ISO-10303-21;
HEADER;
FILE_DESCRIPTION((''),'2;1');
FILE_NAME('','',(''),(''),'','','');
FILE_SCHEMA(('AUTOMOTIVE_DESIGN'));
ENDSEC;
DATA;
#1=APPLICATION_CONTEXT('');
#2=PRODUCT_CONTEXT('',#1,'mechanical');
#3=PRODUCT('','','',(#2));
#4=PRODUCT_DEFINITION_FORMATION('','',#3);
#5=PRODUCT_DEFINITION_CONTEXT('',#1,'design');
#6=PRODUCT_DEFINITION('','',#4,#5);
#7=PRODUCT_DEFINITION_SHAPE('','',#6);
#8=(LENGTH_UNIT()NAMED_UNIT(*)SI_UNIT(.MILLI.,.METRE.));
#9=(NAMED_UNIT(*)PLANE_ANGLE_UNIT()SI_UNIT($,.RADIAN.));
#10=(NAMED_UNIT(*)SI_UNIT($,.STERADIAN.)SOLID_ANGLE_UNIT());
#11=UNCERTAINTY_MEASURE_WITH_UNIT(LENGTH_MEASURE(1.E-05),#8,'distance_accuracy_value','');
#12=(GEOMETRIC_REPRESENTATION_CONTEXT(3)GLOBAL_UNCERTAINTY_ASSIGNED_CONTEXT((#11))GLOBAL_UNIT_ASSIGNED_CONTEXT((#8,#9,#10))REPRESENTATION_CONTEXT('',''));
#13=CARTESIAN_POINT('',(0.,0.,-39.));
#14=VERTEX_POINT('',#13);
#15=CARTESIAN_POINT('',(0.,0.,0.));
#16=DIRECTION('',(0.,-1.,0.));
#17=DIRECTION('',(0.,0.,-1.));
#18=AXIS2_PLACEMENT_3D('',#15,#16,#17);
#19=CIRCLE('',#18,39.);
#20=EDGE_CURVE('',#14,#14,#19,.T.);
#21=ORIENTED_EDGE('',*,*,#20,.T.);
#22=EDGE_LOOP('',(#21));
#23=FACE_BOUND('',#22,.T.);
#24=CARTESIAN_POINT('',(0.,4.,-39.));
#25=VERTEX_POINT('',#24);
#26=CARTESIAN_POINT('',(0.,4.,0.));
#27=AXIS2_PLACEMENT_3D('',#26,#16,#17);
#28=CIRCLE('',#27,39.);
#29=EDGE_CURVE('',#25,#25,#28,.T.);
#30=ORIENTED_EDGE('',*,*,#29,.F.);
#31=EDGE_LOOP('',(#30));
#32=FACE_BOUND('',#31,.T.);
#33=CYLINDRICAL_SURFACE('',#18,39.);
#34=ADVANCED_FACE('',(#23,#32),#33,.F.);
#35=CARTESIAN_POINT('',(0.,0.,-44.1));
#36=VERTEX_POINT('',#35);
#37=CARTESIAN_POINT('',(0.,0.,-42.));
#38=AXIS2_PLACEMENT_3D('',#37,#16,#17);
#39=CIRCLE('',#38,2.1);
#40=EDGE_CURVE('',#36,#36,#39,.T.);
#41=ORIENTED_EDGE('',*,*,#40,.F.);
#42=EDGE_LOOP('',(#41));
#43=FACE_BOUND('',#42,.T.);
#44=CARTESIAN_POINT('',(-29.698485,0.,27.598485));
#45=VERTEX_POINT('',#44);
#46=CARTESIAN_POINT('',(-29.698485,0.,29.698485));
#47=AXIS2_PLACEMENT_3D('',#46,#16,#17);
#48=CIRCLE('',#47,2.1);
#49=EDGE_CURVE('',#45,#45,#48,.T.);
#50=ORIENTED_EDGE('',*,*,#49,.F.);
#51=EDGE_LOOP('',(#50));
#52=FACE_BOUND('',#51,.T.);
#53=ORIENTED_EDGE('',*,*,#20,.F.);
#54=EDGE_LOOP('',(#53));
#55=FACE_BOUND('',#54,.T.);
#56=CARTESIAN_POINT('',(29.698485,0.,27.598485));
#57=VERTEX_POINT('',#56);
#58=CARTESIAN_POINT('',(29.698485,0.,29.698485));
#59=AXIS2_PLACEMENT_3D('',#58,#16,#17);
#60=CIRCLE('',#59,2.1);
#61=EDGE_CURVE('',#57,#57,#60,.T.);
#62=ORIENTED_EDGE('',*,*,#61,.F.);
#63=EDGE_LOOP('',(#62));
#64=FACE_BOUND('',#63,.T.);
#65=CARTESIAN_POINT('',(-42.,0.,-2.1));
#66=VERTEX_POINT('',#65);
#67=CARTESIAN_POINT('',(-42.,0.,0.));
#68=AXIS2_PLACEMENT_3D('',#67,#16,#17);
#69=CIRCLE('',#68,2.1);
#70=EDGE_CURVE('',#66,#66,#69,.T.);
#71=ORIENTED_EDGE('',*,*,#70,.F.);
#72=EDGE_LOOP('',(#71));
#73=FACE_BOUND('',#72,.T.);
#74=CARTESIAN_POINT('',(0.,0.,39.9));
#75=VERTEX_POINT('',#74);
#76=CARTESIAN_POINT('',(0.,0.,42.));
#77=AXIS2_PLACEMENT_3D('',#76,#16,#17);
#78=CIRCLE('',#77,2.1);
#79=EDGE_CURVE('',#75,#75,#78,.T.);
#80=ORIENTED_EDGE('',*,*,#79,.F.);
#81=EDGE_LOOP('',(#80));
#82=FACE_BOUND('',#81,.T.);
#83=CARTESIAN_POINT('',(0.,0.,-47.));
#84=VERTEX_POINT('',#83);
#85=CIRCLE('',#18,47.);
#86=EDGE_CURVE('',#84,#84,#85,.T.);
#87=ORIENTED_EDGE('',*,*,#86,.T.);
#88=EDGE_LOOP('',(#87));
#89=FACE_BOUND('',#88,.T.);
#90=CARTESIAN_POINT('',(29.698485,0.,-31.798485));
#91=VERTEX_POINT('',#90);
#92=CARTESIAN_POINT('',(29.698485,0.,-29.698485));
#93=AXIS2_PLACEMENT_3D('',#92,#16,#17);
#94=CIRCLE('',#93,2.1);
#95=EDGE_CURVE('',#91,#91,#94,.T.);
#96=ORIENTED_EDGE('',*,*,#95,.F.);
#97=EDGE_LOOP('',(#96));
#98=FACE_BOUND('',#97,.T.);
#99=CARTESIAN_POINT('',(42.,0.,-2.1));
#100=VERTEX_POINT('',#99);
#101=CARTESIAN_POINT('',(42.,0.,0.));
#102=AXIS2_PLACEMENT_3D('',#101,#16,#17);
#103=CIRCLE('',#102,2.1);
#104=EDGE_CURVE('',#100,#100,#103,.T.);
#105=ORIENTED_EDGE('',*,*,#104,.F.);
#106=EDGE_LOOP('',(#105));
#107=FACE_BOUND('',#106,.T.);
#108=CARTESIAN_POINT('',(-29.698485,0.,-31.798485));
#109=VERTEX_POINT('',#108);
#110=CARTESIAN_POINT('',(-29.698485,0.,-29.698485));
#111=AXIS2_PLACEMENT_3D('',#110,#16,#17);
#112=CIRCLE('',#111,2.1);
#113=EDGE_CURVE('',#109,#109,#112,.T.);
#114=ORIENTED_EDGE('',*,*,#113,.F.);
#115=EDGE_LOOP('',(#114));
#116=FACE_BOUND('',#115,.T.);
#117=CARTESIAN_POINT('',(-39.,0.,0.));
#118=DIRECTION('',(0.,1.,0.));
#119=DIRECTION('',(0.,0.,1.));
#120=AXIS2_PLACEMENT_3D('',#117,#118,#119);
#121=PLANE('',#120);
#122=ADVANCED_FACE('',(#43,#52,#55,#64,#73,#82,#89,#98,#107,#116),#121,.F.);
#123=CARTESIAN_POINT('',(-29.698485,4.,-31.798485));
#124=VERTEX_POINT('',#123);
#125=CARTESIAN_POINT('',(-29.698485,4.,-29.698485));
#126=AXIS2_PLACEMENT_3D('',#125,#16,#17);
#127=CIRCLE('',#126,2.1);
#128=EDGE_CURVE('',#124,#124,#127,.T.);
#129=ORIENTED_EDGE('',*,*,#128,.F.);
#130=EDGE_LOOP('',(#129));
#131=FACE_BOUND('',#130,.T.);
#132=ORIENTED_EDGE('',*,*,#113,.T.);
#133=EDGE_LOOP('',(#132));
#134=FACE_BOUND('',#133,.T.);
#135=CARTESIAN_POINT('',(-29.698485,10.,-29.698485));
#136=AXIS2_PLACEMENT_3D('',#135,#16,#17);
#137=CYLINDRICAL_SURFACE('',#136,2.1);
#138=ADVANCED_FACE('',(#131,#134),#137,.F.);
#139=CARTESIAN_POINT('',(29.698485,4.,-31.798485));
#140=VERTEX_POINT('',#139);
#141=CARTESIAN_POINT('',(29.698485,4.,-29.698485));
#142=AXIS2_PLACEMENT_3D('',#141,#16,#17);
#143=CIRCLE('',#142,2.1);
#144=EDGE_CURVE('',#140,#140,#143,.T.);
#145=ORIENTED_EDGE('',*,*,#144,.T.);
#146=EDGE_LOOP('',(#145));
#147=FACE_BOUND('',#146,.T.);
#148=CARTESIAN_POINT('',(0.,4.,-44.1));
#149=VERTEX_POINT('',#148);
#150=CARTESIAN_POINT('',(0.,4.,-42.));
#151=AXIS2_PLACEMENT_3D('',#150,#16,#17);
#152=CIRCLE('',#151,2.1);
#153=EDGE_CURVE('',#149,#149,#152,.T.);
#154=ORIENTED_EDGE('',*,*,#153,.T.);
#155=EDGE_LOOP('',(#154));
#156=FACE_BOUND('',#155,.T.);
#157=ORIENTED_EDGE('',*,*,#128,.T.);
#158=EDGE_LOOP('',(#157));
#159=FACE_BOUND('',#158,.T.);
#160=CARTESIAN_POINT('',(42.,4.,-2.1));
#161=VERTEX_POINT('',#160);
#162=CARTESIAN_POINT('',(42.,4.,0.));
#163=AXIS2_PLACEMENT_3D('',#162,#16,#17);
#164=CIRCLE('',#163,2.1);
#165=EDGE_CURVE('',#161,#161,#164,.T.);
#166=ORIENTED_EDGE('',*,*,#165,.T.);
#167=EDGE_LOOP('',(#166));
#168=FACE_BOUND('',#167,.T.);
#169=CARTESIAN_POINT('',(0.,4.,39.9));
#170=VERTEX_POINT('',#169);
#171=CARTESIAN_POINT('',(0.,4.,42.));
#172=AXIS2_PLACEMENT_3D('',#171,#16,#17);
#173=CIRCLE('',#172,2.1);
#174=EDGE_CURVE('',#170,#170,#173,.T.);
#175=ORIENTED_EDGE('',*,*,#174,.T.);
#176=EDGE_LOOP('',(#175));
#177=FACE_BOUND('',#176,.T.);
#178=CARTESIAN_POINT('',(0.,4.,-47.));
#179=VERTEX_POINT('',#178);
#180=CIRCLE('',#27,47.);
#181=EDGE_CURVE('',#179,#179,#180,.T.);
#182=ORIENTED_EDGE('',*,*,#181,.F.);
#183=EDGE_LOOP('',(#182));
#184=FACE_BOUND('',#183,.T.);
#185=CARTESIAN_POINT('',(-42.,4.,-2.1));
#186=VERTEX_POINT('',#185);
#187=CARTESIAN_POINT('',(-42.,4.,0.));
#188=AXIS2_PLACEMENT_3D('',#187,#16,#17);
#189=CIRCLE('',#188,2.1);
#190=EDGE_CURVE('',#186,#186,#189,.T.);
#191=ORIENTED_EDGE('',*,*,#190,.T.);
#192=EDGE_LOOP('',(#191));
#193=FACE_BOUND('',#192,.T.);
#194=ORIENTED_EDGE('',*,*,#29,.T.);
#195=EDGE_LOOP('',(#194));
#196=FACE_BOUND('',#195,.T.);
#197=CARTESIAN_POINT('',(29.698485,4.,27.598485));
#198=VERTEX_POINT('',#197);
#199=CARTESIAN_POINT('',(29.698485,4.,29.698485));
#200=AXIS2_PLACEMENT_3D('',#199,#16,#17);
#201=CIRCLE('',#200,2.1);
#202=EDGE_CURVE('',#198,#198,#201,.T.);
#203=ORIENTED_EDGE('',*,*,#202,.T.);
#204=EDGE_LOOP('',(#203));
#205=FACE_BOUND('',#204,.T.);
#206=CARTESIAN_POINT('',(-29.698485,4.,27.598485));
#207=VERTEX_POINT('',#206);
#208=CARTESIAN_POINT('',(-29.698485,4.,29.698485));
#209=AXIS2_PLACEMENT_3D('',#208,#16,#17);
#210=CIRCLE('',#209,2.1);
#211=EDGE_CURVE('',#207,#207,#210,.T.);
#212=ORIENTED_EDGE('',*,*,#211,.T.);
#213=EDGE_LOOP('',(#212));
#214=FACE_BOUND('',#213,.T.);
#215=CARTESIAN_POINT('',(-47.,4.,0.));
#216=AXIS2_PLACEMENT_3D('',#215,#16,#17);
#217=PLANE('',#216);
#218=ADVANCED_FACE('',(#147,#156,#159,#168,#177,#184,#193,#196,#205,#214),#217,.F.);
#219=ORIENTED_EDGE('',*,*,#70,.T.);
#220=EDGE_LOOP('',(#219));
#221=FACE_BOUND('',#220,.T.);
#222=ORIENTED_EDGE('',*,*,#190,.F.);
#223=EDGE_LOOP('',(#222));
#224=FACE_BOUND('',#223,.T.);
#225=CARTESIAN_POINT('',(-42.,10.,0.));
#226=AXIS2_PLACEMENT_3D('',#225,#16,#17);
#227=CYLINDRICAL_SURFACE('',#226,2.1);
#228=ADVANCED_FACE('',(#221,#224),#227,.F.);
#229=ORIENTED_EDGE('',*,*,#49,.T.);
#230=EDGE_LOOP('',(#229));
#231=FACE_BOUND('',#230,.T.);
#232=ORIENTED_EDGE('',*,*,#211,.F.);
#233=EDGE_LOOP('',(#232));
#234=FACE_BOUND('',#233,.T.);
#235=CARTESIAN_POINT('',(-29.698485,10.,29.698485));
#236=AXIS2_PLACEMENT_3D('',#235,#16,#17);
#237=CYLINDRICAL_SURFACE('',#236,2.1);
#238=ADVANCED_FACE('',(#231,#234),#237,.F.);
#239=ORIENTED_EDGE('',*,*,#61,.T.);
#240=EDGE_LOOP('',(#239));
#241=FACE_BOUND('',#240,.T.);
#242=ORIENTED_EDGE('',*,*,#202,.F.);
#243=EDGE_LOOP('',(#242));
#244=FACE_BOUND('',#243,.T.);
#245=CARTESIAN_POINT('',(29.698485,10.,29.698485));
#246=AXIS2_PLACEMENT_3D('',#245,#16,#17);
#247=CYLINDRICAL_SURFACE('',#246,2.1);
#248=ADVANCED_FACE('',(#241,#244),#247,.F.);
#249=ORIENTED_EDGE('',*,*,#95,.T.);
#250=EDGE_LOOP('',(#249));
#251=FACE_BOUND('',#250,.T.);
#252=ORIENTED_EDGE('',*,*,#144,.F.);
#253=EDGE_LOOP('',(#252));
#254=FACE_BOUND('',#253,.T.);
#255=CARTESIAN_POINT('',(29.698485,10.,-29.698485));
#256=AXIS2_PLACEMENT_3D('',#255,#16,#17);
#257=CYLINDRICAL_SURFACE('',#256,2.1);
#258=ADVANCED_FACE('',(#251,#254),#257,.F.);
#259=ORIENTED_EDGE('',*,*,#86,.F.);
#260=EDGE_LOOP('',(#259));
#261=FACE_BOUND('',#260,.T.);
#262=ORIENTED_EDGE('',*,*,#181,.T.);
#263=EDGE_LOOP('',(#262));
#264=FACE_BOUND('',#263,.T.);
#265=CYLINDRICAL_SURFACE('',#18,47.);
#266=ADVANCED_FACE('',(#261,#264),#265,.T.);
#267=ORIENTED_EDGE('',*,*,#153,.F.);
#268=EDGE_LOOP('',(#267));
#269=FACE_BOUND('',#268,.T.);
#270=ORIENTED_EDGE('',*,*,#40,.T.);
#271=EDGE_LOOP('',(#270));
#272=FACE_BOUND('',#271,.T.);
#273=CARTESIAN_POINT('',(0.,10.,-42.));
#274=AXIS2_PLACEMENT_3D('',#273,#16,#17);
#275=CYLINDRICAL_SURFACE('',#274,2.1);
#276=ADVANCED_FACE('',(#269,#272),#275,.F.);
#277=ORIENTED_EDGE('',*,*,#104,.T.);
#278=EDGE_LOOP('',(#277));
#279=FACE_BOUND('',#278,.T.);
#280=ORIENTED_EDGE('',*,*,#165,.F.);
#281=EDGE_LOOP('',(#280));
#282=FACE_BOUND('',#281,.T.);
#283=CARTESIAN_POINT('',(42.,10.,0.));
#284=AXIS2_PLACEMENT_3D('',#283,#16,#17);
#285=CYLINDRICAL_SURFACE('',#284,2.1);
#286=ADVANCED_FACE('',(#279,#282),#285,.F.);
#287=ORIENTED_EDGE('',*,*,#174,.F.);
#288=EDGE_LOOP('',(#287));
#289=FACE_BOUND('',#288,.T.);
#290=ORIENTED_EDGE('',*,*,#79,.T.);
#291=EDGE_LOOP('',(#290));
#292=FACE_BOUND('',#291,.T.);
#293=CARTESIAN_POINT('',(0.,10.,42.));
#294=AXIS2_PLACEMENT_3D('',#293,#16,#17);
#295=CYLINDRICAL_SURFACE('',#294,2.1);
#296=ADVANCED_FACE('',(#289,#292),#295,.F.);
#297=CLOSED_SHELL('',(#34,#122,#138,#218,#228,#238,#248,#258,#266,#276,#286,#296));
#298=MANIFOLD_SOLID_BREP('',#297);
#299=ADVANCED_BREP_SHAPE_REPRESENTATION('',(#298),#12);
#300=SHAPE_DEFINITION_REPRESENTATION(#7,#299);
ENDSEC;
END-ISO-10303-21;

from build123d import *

# Parameters (mm, degrees)
SKETCH_1_W          = 8
SKETCH_1_H          = 4
SKETCH_2_R          = 2.1
CUT_EXTRUDE_1_DEPTH = 10


with BuildPart() as part:
    # 草图1 → 旋转1 (revolve)
    with BuildSketch(Plane.XY):
        with Locations((-43, 2)):
            Rectangle(SKETCH_1_W, SKETCH_1_H)
    revolve(axis=Axis((0, 0, 0), (0, 1, 0)))

    # 草图2 → 切除-拉伸1 (cut)
    with BuildSketch(Plane.XZ):
        with Locations((0, 42)):
            Circle(SKETCH_2_R)
        with Locations((29.69848481, 29.69848481)):
            Circle(SKETCH_2_R)
        with Locations((42, 0)):
            Circle(SKETCH_2_R)
        with Locations((29.69848481, -29.69848481)):
            Circle(SKETCH_2_R)
        with Locations((0, -42)):
            Circle(SKETCH_2_R)
        with Locations((-29.69848481, -29.69848481)):
            Circle(SKETCH_2_R)
        with Locations((-42, 0)):
            Circle(SKETCH_2_R)
        with Locations((-29.69848481, 29.69848481)):
            Circle(SKETCH_2_R)
    extrude(amount=-CUT_EXTRUDE_1_DEPTH, mode=Mode.SUBTRACT)


solid = part.part
